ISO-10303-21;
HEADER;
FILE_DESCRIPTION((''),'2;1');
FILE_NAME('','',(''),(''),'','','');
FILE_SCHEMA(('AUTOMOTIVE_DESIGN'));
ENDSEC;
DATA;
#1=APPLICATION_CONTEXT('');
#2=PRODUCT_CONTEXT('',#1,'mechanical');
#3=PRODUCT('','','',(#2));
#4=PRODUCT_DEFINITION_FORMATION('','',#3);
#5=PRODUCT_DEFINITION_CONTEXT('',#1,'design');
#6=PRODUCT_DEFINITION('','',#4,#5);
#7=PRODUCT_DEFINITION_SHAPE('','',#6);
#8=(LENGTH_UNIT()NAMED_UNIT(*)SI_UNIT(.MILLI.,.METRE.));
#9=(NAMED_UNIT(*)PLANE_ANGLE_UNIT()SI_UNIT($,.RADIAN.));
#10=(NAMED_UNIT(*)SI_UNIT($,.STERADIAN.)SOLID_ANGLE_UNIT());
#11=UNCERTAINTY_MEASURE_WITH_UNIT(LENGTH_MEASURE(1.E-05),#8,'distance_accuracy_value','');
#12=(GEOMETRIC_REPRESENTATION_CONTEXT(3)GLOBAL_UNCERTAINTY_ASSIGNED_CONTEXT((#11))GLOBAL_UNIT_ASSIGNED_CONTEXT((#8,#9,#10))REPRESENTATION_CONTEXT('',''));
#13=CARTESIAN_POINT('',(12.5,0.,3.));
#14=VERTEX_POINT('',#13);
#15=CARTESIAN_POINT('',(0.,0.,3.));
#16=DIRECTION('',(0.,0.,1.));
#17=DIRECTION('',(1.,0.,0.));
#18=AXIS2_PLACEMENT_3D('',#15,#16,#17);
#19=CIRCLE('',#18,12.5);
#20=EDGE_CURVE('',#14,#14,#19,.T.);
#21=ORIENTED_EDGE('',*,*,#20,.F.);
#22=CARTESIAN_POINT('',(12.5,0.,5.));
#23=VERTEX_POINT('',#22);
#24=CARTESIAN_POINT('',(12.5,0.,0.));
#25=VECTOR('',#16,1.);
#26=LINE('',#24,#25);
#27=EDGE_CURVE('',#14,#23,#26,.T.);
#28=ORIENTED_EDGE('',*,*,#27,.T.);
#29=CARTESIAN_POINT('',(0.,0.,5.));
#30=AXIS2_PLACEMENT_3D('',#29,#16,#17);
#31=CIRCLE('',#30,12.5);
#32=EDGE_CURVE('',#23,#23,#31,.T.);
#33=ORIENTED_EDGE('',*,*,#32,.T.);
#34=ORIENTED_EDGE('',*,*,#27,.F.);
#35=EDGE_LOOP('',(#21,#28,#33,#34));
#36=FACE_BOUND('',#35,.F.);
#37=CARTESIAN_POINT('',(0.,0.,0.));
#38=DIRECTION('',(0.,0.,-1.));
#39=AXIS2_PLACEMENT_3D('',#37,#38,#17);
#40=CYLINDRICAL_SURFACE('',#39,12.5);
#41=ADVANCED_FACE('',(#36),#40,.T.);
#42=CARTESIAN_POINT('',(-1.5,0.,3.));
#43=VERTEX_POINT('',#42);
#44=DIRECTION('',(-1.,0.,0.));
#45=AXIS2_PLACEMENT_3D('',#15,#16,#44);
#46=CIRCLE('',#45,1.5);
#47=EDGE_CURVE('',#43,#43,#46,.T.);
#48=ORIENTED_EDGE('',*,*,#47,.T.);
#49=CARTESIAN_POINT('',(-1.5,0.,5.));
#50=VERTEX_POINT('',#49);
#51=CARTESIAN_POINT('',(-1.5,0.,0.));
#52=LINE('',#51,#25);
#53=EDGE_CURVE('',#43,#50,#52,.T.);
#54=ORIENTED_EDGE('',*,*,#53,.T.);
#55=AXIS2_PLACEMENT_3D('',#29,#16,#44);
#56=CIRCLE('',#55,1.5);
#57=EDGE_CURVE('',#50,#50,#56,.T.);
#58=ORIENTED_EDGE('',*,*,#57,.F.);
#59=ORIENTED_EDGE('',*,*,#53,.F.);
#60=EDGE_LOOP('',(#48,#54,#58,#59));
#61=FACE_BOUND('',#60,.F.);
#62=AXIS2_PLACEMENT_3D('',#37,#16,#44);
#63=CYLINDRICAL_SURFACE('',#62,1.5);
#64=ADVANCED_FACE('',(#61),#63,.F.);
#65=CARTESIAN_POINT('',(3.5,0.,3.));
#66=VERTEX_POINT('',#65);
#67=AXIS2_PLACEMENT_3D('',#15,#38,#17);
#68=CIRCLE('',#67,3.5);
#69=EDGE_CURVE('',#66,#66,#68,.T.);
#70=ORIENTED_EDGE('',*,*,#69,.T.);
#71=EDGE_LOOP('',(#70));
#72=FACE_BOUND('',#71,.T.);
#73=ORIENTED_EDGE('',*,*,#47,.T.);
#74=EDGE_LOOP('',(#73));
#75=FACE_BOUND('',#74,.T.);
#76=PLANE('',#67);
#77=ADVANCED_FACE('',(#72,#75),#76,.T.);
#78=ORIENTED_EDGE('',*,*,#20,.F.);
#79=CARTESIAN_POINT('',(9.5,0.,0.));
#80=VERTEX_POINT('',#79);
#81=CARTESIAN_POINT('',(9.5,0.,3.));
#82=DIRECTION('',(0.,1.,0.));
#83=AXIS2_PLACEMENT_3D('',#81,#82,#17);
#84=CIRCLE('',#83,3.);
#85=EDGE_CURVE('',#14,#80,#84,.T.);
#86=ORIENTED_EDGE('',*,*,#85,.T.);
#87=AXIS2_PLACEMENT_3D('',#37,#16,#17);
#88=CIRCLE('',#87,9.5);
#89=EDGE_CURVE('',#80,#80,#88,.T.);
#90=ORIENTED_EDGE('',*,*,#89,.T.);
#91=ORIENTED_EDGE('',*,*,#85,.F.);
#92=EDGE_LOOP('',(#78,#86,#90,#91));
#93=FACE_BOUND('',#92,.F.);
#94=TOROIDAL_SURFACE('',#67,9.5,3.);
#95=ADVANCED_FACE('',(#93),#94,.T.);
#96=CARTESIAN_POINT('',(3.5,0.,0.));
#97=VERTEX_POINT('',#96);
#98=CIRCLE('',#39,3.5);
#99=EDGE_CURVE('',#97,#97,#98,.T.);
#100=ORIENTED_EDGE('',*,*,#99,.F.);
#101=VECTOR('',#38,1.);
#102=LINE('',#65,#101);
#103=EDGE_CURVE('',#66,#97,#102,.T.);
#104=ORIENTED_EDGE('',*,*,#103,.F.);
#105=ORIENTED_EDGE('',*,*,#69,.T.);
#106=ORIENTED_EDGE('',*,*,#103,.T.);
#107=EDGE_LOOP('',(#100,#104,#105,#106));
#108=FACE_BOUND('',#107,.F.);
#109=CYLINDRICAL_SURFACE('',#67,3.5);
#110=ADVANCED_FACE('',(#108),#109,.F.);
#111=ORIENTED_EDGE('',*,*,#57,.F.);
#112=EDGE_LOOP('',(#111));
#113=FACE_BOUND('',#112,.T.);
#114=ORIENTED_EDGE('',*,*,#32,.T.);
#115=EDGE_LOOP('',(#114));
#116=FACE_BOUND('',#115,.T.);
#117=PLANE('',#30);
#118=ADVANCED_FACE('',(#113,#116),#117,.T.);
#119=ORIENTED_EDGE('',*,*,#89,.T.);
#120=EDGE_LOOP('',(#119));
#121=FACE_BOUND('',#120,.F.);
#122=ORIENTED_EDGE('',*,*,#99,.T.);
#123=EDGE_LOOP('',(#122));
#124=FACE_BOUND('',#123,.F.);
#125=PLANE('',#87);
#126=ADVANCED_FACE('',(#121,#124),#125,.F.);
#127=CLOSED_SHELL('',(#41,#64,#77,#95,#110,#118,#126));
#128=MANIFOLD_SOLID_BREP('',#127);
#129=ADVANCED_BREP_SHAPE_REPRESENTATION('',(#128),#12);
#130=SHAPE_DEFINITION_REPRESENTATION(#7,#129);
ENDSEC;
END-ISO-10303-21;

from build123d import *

# Parameters (mm, degrees)
F5_R           = 12.5
F6_DEPTH       = 5
F7_D           = 3
F7_CBORE_D     = 7
F7_CBORE_DEPTH = 3
F8_R           = 3


with BuildPart() as f6:
    # F5 (on Top) → F6 (new body)
    with BuildSketch(Plane.XY):
        Circle(F5_R)
    extrude(amount=F6_DEPTH)

    # F7 (through all)
    with Locations(Plane(origin=(0, 0, 0), x_dir=(1, 0, 0), z_dir=(0, 0, -1))):
        with Locations((0, 0)):
            CounterBoreHole(F7_D / 2, F7_CBORE_D / 2, F7_CBORE_DEPTH)

    # F8
    f8_edges = [f6.edges().sort_by_distance(p)[0] for p in [
        (-12.5, 0, 0),
    ]]
    fillet(f8_edges, radius=F8_R)


solid = f6.part
